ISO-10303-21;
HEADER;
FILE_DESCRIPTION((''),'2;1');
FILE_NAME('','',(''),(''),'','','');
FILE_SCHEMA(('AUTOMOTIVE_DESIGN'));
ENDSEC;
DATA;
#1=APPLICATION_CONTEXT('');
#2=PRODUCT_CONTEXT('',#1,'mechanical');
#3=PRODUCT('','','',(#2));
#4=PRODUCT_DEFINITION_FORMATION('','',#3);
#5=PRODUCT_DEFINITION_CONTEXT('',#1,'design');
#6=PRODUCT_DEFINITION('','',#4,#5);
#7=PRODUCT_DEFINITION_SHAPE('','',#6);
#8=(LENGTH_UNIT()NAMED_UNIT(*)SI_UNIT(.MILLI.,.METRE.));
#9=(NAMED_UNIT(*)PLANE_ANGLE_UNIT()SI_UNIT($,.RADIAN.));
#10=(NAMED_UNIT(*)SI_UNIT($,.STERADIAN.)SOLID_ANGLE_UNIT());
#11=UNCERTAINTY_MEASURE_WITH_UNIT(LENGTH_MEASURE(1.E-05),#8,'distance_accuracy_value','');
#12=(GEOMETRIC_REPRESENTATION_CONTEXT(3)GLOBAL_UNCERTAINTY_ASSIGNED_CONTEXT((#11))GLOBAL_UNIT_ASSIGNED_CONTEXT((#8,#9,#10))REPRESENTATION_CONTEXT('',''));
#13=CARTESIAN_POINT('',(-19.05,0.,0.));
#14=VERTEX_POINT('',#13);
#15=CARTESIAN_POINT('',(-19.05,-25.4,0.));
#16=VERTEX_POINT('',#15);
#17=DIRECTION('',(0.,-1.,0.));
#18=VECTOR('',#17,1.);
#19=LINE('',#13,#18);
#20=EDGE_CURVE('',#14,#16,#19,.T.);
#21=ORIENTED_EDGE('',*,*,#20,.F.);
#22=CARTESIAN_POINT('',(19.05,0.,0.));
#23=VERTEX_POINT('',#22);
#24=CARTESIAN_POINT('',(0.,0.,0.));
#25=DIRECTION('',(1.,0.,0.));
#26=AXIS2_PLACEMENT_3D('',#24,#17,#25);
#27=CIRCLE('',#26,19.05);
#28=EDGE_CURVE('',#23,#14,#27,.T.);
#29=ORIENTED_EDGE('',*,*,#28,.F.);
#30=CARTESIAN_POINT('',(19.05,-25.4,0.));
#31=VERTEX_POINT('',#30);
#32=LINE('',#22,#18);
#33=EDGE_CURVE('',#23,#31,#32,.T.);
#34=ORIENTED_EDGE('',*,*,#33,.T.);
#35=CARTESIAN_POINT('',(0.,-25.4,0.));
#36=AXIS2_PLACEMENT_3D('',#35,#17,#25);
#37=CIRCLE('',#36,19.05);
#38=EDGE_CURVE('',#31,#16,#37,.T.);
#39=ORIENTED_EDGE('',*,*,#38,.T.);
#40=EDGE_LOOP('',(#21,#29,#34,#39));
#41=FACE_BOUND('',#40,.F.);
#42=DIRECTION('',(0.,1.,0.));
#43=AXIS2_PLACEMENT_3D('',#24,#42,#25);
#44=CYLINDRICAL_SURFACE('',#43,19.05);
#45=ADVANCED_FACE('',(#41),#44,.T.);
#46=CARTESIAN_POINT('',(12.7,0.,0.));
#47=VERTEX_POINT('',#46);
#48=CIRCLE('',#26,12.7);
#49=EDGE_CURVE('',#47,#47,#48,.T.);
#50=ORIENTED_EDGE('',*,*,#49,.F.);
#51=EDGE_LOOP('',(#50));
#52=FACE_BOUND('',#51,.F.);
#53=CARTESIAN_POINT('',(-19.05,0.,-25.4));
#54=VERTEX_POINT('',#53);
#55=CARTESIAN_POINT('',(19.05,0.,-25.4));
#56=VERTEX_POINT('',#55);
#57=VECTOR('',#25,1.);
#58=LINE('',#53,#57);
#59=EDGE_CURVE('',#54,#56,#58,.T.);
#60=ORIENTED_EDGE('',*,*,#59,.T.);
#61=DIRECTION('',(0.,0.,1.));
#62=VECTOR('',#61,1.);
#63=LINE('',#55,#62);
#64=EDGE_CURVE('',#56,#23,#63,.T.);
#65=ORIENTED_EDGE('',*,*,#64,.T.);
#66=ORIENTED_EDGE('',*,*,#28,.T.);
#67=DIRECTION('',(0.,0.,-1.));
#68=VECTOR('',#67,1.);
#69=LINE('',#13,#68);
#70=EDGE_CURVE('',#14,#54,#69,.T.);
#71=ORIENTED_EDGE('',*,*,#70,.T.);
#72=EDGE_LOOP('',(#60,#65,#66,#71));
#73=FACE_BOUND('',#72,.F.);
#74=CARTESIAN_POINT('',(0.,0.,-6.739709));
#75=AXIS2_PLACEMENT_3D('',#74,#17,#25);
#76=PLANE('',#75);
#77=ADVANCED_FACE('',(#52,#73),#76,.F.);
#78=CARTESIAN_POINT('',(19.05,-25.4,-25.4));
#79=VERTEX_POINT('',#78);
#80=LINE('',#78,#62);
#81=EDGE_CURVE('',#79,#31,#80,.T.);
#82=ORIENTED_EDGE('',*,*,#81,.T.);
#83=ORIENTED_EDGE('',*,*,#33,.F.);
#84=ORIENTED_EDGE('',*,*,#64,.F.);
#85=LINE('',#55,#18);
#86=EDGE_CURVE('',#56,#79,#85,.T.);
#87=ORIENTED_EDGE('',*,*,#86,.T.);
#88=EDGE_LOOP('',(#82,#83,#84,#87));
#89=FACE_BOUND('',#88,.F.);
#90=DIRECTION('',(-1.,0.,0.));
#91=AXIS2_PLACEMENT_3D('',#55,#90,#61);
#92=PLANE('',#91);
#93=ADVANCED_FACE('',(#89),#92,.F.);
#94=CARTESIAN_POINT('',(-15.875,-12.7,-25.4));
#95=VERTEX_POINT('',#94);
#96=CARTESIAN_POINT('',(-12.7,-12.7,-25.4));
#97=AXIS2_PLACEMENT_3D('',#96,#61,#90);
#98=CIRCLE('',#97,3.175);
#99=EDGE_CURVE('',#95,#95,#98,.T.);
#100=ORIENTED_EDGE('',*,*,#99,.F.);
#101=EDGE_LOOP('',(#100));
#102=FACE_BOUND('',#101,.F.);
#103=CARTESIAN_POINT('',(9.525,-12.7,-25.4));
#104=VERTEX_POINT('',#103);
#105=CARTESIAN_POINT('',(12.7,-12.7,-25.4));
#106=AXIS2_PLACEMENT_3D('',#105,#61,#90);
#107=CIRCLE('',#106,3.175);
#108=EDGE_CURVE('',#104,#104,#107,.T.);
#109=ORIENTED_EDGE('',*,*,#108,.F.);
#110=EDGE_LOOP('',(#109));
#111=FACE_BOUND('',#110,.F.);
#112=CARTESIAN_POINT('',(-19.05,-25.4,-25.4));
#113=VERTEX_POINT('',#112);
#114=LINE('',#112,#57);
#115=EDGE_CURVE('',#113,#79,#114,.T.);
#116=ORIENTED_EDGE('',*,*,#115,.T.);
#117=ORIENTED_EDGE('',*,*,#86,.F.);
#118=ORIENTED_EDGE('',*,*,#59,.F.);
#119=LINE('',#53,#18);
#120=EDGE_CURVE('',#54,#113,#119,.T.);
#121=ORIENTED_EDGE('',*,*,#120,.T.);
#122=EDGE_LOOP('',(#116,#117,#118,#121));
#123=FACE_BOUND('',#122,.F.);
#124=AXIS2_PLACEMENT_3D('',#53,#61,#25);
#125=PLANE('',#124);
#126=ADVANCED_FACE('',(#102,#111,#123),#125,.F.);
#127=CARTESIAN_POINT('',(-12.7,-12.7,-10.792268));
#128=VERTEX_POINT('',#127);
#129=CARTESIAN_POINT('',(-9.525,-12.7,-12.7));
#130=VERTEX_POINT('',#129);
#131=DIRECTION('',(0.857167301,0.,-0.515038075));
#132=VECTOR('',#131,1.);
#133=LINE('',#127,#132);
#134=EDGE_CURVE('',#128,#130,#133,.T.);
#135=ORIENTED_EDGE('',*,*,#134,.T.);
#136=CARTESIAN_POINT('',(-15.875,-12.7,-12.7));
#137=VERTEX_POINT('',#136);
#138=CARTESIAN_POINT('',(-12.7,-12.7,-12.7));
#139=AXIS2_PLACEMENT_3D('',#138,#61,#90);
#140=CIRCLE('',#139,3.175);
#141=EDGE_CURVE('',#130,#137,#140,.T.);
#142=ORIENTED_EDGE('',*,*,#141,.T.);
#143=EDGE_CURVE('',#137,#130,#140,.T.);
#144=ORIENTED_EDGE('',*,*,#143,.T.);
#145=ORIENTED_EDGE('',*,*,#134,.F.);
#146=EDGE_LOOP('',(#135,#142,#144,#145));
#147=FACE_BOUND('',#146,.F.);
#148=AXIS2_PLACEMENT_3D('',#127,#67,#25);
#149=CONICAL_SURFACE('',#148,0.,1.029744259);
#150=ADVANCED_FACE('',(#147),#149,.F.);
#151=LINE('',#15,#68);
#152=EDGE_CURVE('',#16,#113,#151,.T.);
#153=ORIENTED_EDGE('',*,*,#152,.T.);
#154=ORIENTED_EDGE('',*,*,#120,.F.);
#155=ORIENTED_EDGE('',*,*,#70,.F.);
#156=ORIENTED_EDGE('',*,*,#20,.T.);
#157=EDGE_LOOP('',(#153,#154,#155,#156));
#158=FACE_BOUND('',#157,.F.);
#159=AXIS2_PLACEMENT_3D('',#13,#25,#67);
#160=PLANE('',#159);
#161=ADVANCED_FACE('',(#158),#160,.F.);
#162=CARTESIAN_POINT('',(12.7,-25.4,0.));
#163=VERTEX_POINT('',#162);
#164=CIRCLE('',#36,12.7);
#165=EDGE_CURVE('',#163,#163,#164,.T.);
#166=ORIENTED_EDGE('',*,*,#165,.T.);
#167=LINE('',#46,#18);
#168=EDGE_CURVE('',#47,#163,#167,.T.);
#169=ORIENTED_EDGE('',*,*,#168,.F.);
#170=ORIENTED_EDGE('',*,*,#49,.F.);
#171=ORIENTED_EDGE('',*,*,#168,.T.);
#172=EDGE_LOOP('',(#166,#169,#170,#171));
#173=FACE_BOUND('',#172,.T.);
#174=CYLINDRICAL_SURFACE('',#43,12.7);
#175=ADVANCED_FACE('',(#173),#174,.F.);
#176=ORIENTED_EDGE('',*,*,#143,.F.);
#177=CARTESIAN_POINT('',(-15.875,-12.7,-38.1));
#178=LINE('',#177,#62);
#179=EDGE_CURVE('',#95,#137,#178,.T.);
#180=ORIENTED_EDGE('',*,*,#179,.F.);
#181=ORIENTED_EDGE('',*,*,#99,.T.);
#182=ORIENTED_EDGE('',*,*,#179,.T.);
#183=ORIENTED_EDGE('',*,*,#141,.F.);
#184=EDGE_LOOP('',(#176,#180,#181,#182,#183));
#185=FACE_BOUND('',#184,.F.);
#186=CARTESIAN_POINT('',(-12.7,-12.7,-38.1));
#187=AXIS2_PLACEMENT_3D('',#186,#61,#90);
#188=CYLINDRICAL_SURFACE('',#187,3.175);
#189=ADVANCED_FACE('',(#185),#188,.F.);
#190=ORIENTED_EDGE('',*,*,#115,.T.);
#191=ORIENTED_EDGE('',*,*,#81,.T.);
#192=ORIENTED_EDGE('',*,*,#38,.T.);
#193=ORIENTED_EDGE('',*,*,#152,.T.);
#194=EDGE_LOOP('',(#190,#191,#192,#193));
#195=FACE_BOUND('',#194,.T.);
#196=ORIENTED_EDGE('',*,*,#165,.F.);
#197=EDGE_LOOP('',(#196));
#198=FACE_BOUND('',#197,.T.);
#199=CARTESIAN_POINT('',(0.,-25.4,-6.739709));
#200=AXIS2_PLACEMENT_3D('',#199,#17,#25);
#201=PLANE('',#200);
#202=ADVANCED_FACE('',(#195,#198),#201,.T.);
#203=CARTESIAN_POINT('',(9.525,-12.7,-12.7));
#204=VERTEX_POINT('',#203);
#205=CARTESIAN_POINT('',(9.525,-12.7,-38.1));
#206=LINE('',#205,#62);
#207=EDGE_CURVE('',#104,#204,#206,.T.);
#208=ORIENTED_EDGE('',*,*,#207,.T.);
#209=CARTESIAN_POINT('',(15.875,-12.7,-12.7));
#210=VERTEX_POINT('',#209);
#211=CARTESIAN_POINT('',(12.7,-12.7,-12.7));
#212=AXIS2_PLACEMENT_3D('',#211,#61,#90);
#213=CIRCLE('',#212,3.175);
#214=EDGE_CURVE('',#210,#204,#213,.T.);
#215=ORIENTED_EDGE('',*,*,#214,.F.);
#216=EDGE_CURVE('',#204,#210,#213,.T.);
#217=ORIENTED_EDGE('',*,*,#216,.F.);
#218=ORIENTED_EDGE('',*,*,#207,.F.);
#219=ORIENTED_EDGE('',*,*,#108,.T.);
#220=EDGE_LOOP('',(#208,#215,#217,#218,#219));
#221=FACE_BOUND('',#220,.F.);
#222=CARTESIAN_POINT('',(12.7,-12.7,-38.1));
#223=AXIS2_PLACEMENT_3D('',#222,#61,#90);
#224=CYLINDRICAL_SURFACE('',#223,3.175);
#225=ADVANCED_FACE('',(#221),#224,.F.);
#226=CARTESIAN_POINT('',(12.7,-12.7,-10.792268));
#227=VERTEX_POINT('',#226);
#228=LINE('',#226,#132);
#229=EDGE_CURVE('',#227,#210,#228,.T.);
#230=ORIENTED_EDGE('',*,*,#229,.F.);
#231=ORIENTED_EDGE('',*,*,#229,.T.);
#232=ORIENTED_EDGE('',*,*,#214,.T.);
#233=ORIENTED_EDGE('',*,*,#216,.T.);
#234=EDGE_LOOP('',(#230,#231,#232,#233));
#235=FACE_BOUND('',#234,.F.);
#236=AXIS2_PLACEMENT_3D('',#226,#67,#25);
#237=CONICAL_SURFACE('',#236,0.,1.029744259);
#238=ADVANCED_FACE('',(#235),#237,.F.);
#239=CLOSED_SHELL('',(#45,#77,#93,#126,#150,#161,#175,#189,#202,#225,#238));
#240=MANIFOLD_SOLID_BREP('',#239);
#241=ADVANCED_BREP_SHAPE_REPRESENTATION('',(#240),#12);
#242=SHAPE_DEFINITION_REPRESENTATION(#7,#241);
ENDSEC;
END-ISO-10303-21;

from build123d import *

# Parameters (mm, degrees)
F0_R     = 12.7
F1_DEPTH = 25.4
F3_D     = 6.35
F3_DEPTH = 12.7
F3_TIP   = 1.9077324654


with BuildPart() as f1:
    # F0 (on Front) → F1 (new body)
    with BuildSketch(Plane.XZ):
        with BuildLine():
            Line((19.05, -25.4), (19.05, 0))
            ThreePointArc((19.05, 0), (0, 19.05), (-19.05, 0))
            Line((-19.05, 0), (-19.05, -25.4))
            Line((-19.05, -25.4), (19.05, -25.4))
        make_face()
        Circle(F0_R, mode=Mode.SUBTRACT)
    extrude(amount=F1_DEPTH)

    # F3
    with Locations(Plane(origin=(0, 0, -25.4), x_dir=(1, 0, 0), z_dir=(0, 0, -1))):
        with Locations((-12.7, 12.7), (12.7, 12.7)):
            Hole(F3_D / 2, depth=F3_DEPTH)
            with Locations((0, 0, -(F3_DEPTH + F3_TIP / 2))):  # 118° drill point
                Cone(0, F3_D / 2, F3_TIP, mode=Mode.SUBTRACT)


solid = f1.part
